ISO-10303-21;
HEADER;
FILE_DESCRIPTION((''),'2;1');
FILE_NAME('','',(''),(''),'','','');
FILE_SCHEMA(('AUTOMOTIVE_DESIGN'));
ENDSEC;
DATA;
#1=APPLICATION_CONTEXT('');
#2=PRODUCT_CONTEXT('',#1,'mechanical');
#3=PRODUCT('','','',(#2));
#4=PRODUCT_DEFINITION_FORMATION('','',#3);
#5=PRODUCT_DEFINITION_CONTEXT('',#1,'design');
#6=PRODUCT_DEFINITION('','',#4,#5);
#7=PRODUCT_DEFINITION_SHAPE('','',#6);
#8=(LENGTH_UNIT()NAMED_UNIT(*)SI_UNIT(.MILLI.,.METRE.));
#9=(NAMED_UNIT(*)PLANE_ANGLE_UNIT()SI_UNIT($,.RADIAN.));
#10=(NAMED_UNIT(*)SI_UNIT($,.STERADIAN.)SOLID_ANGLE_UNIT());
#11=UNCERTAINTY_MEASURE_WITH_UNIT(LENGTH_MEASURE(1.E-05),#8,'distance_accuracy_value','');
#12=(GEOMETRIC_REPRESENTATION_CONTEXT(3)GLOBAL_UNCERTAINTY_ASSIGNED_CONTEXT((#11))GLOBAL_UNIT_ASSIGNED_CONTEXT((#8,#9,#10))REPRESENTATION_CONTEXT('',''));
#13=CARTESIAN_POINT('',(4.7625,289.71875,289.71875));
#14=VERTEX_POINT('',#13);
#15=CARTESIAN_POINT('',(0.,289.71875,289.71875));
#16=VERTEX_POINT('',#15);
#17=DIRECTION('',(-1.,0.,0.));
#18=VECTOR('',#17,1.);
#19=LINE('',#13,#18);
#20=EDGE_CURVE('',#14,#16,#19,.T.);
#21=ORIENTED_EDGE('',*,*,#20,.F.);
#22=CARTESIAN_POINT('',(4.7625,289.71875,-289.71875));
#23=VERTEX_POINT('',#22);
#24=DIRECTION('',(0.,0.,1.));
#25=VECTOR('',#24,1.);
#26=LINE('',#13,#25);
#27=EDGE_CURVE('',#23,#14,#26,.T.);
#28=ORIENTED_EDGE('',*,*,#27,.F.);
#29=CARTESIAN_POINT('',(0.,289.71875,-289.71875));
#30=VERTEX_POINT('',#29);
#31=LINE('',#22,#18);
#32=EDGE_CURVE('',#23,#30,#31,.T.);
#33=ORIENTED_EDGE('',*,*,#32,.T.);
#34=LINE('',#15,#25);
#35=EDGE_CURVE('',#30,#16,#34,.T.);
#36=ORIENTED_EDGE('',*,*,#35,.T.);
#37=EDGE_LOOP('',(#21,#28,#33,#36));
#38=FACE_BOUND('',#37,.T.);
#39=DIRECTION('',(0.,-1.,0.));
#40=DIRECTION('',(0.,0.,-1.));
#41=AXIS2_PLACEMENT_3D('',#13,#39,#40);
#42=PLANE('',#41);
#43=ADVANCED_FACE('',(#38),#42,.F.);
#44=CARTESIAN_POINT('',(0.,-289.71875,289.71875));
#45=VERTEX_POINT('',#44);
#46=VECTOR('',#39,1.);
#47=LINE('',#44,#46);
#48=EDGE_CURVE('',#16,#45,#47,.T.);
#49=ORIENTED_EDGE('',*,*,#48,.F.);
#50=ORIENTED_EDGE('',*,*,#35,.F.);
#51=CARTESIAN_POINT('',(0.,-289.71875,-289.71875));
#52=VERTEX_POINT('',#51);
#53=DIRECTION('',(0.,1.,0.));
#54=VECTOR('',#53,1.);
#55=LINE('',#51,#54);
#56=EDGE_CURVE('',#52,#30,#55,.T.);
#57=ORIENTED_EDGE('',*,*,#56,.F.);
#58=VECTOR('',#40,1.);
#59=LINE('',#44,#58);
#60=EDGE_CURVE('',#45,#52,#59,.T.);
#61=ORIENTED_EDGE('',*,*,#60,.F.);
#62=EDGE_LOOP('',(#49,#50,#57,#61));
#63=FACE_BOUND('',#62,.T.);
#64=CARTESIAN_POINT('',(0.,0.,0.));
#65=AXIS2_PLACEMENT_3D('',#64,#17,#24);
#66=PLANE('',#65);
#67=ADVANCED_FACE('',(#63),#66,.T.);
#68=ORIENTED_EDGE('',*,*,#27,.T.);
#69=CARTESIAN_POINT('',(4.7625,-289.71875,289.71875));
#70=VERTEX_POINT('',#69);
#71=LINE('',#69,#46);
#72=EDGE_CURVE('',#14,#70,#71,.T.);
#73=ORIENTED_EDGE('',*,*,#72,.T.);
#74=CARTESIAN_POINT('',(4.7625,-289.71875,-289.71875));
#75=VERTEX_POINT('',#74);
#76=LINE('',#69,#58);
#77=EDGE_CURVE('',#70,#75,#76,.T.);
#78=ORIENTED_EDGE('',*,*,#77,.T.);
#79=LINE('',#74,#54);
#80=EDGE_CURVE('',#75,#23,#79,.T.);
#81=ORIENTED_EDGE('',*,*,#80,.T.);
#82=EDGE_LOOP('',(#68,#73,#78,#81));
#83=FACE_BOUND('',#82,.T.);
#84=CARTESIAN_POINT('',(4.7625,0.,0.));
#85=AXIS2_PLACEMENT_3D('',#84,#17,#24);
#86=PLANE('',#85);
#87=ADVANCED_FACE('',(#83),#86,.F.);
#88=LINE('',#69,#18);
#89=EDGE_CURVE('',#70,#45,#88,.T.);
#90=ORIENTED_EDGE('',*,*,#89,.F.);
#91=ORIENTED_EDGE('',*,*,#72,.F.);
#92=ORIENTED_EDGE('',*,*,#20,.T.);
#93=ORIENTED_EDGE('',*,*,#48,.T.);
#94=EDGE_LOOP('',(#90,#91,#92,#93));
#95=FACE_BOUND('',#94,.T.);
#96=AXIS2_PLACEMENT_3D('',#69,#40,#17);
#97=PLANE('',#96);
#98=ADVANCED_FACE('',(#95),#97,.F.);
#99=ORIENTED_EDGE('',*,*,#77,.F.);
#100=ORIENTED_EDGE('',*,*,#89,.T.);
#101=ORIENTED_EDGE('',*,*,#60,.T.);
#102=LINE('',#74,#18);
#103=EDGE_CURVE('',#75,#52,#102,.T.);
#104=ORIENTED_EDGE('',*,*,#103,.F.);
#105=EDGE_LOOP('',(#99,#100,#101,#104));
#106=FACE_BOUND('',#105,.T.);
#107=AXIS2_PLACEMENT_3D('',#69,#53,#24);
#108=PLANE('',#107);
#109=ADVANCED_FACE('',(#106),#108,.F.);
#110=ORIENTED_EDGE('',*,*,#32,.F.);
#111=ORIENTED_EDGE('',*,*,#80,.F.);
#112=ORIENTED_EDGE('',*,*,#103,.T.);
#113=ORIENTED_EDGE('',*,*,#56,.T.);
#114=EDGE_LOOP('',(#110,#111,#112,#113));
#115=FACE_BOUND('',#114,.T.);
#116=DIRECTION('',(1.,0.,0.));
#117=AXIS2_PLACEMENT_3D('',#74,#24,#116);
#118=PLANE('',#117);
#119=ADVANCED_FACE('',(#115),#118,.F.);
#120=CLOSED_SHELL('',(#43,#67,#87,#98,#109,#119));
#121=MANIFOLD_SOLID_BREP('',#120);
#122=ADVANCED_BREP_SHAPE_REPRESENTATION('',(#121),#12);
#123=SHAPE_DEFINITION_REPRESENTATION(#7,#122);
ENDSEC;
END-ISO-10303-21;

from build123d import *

# Parameters (mm, degrees)
SKETCH1_W           = 579.4375
SKETCH1_H           = 579.4375
BOSS_EXTRUDE1_DEPTH = 4.7625


with BuildPart() as part:
    # Sketch1 → Boss-Extrude1 (new body)
    with BuildSketch(Plane(origin=(0, 0, 0), x_dir=(0, 0, -1), z_dir=(1, 0, 0))):
        Rectangle(SKETCH1_W, SKETCH1_H)
    extrude(amount=BOSS_EXTRUDE1_DEPTH)


solid = part.part
